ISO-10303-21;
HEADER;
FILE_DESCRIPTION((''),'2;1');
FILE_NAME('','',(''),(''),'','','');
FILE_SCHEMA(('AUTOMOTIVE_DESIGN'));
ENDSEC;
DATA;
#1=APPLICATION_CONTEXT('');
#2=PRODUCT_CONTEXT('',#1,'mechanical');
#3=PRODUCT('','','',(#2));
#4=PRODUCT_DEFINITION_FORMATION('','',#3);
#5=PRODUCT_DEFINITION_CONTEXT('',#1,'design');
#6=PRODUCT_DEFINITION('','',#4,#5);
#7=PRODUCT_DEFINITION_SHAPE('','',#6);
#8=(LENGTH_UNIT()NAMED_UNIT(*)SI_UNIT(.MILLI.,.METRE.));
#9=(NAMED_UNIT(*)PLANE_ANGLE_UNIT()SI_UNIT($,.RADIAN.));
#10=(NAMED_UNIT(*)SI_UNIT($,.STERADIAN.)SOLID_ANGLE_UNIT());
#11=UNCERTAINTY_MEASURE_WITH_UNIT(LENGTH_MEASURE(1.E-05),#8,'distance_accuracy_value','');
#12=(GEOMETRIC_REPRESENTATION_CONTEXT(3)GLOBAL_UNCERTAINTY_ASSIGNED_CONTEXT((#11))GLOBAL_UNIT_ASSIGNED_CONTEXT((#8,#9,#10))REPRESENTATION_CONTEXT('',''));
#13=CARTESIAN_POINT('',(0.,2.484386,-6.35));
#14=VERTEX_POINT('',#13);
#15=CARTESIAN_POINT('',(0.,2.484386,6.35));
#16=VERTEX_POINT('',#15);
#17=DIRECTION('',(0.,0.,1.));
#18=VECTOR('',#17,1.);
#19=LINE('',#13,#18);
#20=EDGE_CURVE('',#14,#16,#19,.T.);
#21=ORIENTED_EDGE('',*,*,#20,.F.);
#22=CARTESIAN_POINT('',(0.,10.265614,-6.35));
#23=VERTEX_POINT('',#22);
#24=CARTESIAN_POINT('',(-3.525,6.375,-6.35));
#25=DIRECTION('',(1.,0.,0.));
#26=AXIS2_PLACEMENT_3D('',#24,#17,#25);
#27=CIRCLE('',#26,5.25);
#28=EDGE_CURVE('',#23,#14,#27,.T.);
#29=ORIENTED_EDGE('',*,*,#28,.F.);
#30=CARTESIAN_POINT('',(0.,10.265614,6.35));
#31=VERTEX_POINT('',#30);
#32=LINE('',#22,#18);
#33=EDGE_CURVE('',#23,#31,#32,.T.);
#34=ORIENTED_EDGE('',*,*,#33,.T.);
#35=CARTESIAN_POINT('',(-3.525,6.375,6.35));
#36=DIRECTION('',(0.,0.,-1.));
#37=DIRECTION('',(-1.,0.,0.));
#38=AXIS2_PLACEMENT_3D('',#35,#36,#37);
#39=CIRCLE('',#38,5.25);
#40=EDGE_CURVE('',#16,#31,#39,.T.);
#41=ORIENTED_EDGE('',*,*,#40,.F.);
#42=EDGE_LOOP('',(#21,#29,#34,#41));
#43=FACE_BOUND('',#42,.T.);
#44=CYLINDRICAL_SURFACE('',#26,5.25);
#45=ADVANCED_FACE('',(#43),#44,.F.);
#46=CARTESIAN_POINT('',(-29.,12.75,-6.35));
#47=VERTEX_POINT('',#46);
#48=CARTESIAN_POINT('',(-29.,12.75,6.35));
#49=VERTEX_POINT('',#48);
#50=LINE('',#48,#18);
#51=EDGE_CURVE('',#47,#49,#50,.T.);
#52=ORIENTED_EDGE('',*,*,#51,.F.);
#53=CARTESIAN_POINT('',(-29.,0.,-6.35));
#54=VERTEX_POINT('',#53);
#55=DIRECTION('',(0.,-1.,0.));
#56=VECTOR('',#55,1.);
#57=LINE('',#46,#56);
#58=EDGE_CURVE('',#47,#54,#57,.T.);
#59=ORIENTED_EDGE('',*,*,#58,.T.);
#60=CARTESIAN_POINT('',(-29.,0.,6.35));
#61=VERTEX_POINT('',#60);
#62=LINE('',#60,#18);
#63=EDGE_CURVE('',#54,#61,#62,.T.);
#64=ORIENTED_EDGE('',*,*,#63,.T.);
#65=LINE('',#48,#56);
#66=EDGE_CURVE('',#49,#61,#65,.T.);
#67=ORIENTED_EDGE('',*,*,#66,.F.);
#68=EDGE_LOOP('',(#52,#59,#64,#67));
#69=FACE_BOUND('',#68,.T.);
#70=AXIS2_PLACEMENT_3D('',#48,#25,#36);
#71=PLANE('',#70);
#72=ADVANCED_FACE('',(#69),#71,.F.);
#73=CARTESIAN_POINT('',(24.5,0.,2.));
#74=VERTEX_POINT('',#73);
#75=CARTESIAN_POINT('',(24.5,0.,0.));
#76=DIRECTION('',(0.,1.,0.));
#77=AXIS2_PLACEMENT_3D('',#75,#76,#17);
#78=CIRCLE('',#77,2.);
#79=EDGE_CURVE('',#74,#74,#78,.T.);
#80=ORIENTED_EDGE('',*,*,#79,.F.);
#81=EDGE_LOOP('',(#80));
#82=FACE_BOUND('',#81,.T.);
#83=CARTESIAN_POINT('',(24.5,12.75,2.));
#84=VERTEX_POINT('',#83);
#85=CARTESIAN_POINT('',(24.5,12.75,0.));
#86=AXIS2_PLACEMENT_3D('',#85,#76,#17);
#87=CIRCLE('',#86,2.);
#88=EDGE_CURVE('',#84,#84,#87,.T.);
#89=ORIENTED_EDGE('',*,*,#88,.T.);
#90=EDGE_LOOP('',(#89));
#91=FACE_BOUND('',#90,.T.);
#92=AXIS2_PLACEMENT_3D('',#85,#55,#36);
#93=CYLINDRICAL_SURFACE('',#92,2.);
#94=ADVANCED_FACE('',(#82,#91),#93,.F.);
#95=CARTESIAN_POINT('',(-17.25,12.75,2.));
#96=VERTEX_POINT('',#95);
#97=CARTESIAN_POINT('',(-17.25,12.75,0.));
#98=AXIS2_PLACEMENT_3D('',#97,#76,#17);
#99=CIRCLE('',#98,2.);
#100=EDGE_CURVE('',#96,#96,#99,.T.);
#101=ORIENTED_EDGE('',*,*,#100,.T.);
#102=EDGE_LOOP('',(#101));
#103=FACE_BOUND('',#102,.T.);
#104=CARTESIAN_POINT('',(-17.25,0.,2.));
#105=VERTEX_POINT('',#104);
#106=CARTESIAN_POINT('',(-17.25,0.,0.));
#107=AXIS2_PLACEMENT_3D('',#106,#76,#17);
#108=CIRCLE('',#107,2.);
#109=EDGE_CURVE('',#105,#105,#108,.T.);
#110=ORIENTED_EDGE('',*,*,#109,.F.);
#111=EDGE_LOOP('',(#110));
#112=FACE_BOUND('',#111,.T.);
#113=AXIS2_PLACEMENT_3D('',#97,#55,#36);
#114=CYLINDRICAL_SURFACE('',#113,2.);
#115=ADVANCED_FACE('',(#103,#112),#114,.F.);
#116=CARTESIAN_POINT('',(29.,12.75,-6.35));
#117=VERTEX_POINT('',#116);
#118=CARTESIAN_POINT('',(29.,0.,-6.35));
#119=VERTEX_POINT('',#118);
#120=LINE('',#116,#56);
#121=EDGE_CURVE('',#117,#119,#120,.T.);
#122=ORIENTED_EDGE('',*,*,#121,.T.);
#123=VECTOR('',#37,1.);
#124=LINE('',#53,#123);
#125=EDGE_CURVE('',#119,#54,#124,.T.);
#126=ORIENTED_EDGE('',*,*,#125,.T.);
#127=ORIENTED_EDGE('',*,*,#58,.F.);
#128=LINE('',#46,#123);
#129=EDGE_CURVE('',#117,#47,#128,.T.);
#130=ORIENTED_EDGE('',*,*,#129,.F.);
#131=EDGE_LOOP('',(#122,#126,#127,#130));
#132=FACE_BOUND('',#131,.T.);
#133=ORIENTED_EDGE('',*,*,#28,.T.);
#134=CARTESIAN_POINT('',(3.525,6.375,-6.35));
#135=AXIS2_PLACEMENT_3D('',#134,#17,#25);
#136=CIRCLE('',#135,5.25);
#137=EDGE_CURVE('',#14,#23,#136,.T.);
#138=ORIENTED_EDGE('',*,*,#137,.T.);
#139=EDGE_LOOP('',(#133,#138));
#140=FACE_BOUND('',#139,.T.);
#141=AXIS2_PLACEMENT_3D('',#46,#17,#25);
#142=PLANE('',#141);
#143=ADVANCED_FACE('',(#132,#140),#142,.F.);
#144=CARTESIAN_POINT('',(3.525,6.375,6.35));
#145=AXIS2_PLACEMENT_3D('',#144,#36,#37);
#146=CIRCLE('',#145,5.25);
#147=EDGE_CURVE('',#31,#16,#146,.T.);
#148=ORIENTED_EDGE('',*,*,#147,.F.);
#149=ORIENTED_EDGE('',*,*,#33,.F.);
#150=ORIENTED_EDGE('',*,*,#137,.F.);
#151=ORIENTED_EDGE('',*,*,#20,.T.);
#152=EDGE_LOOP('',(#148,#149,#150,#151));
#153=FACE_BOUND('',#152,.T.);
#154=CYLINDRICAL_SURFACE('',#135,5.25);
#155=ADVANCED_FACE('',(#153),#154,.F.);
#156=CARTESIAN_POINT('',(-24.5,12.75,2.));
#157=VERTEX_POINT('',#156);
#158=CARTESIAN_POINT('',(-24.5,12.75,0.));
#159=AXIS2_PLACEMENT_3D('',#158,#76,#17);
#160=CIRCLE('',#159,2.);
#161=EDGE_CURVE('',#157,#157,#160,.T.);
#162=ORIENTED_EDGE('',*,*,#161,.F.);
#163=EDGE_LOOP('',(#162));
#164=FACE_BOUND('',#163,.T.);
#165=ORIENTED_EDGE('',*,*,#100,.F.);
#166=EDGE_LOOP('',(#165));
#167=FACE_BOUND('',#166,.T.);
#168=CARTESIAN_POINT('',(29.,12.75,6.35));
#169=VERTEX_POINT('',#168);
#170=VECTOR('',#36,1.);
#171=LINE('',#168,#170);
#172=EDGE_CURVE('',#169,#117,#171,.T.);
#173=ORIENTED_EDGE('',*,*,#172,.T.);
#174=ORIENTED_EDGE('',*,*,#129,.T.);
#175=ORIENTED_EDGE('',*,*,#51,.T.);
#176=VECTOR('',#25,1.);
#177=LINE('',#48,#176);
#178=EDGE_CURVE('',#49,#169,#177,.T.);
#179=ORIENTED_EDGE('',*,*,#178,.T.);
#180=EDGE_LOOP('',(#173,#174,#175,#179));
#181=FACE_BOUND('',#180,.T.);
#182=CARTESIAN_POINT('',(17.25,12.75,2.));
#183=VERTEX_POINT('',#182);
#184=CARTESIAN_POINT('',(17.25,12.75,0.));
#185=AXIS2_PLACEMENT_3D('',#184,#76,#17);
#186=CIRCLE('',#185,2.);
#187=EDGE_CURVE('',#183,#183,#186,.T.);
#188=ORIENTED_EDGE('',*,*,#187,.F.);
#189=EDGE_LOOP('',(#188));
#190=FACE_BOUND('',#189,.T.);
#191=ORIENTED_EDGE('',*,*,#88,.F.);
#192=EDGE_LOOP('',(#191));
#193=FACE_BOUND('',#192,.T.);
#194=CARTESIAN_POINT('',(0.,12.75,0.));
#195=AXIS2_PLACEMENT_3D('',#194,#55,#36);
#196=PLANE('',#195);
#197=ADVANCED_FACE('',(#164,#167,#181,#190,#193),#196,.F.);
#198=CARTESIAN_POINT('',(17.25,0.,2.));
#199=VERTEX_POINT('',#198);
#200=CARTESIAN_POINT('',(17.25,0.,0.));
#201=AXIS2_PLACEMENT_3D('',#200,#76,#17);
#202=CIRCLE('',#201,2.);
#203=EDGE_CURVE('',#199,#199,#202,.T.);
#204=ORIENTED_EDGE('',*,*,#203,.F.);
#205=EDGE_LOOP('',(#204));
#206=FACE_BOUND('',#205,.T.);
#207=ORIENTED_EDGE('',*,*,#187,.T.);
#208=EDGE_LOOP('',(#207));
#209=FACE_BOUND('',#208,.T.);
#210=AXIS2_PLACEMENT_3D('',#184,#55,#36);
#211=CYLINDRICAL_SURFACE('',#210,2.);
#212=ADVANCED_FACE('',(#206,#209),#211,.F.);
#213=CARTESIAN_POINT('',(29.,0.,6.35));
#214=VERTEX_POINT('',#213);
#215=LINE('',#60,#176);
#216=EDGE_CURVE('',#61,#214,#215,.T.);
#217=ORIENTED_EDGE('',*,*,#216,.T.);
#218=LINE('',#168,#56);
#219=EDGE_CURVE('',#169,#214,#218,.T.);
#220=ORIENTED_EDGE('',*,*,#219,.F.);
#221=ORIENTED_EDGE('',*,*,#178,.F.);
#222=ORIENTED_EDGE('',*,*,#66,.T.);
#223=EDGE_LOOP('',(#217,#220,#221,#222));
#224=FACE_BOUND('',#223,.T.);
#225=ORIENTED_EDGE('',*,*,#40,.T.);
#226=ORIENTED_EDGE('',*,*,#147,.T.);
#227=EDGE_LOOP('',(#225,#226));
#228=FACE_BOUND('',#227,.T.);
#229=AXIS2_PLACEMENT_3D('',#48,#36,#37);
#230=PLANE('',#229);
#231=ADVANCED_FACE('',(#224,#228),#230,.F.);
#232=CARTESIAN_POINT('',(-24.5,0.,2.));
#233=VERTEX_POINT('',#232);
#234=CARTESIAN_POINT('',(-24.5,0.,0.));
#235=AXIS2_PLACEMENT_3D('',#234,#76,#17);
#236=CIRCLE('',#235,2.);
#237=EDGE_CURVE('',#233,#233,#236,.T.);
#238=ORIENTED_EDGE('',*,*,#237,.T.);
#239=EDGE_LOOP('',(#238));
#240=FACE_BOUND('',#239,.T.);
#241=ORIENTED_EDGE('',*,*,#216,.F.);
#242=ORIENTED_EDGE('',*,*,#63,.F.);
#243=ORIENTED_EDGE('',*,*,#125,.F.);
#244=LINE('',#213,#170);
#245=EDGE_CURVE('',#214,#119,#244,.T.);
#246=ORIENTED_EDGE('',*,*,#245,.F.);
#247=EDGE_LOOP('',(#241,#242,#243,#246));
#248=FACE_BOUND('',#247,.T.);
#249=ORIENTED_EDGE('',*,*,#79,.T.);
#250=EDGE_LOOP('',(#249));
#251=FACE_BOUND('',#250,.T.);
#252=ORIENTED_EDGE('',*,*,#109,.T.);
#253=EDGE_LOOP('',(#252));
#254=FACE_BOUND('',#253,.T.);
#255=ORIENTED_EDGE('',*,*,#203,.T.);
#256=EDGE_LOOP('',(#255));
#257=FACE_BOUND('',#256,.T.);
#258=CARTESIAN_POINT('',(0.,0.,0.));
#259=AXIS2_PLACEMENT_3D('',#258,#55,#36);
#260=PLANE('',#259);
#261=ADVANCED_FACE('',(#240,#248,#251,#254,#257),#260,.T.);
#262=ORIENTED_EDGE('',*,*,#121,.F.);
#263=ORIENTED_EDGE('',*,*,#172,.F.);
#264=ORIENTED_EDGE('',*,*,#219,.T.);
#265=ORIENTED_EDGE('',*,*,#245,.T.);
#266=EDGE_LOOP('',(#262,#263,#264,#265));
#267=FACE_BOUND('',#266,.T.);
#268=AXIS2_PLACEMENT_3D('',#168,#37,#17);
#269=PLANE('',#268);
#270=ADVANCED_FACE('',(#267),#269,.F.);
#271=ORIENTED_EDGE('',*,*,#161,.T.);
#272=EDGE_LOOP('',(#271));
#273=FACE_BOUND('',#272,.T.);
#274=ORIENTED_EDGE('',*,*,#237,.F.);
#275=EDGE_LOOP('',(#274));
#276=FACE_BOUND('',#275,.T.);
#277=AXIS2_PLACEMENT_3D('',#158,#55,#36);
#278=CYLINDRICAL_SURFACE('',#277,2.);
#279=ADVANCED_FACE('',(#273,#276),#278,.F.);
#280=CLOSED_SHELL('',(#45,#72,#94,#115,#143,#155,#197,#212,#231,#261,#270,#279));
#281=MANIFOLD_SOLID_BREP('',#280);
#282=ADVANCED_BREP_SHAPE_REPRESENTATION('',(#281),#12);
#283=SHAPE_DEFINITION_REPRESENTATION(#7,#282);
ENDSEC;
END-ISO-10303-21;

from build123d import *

# Parameters (mm, degrees)
SKETCH1_W               = 58
SKETCH1_H               = 12.7
SKETCH1_R               = 2
BOSS_EXTRUDE1_DEPTH     = 12.75
CUT_EXTRUDE2_DEPTH      = 35.129935541
CUT_EXTRUDE2_DEPTH_BACK = 35.129935541


with BuildPart() as part:
    # Sketch1 → Boss-Extrude1 (new body)
    with BuildSketch(Plane(origin=(0, 0, 0), x_dir=(1, 0, 0), z_dir=(0, 1, 0))):
        Rectangle(SKETCH1_W, SKETCH1_H)
        with Locations(Location((-24.5, 0, 0), (0, 0, 270))):
            Circle(SKETCH1_R, mode=Mode.SUBTRACT)
        with Locations(Location((-17.25, 0, 0), (0, 0, 270))):
            Circle(SKETCH1_R, mode=Mode.SUBTRACT)
        with Locations(Location((24.5, 0, 0), (0, 0, 270))):
            Circle(SKETCH1_R, mode=Mode.SUBTRACT)
        with Locations(Location((17.25, 0, 0), (0, 0, 270))):
            Circle(SKETCH1_R, mode=Mode.SUBTRACT)
    extrude(amount=BOSS_EXTRUDE1_DEPTH)

    # Sketch2 → Cut-Extrude2 (cut, two sides: drawn at the far end of the back side and taken through both)
    with BuildSketch(Plane.XY.offset(6.35).offset(-CUT_EXTRUDE2_DEPTH_BACK)):
        with BuildLine():
            ThreePointArc((0, 10.265613705), (-8.775, 6.375), (0, 2.484386295))
            ThreePointArc((0, 2.484386295), (8.775, 6.375), (0, 10.265613705))
        make_face()
    extrude(amount=CUT_EXTRUDE2_DEPTH + CUT_EXTRUDE2_DEPTH_BACK, mode=Mode.SUBTRACT)


solid = part.part
